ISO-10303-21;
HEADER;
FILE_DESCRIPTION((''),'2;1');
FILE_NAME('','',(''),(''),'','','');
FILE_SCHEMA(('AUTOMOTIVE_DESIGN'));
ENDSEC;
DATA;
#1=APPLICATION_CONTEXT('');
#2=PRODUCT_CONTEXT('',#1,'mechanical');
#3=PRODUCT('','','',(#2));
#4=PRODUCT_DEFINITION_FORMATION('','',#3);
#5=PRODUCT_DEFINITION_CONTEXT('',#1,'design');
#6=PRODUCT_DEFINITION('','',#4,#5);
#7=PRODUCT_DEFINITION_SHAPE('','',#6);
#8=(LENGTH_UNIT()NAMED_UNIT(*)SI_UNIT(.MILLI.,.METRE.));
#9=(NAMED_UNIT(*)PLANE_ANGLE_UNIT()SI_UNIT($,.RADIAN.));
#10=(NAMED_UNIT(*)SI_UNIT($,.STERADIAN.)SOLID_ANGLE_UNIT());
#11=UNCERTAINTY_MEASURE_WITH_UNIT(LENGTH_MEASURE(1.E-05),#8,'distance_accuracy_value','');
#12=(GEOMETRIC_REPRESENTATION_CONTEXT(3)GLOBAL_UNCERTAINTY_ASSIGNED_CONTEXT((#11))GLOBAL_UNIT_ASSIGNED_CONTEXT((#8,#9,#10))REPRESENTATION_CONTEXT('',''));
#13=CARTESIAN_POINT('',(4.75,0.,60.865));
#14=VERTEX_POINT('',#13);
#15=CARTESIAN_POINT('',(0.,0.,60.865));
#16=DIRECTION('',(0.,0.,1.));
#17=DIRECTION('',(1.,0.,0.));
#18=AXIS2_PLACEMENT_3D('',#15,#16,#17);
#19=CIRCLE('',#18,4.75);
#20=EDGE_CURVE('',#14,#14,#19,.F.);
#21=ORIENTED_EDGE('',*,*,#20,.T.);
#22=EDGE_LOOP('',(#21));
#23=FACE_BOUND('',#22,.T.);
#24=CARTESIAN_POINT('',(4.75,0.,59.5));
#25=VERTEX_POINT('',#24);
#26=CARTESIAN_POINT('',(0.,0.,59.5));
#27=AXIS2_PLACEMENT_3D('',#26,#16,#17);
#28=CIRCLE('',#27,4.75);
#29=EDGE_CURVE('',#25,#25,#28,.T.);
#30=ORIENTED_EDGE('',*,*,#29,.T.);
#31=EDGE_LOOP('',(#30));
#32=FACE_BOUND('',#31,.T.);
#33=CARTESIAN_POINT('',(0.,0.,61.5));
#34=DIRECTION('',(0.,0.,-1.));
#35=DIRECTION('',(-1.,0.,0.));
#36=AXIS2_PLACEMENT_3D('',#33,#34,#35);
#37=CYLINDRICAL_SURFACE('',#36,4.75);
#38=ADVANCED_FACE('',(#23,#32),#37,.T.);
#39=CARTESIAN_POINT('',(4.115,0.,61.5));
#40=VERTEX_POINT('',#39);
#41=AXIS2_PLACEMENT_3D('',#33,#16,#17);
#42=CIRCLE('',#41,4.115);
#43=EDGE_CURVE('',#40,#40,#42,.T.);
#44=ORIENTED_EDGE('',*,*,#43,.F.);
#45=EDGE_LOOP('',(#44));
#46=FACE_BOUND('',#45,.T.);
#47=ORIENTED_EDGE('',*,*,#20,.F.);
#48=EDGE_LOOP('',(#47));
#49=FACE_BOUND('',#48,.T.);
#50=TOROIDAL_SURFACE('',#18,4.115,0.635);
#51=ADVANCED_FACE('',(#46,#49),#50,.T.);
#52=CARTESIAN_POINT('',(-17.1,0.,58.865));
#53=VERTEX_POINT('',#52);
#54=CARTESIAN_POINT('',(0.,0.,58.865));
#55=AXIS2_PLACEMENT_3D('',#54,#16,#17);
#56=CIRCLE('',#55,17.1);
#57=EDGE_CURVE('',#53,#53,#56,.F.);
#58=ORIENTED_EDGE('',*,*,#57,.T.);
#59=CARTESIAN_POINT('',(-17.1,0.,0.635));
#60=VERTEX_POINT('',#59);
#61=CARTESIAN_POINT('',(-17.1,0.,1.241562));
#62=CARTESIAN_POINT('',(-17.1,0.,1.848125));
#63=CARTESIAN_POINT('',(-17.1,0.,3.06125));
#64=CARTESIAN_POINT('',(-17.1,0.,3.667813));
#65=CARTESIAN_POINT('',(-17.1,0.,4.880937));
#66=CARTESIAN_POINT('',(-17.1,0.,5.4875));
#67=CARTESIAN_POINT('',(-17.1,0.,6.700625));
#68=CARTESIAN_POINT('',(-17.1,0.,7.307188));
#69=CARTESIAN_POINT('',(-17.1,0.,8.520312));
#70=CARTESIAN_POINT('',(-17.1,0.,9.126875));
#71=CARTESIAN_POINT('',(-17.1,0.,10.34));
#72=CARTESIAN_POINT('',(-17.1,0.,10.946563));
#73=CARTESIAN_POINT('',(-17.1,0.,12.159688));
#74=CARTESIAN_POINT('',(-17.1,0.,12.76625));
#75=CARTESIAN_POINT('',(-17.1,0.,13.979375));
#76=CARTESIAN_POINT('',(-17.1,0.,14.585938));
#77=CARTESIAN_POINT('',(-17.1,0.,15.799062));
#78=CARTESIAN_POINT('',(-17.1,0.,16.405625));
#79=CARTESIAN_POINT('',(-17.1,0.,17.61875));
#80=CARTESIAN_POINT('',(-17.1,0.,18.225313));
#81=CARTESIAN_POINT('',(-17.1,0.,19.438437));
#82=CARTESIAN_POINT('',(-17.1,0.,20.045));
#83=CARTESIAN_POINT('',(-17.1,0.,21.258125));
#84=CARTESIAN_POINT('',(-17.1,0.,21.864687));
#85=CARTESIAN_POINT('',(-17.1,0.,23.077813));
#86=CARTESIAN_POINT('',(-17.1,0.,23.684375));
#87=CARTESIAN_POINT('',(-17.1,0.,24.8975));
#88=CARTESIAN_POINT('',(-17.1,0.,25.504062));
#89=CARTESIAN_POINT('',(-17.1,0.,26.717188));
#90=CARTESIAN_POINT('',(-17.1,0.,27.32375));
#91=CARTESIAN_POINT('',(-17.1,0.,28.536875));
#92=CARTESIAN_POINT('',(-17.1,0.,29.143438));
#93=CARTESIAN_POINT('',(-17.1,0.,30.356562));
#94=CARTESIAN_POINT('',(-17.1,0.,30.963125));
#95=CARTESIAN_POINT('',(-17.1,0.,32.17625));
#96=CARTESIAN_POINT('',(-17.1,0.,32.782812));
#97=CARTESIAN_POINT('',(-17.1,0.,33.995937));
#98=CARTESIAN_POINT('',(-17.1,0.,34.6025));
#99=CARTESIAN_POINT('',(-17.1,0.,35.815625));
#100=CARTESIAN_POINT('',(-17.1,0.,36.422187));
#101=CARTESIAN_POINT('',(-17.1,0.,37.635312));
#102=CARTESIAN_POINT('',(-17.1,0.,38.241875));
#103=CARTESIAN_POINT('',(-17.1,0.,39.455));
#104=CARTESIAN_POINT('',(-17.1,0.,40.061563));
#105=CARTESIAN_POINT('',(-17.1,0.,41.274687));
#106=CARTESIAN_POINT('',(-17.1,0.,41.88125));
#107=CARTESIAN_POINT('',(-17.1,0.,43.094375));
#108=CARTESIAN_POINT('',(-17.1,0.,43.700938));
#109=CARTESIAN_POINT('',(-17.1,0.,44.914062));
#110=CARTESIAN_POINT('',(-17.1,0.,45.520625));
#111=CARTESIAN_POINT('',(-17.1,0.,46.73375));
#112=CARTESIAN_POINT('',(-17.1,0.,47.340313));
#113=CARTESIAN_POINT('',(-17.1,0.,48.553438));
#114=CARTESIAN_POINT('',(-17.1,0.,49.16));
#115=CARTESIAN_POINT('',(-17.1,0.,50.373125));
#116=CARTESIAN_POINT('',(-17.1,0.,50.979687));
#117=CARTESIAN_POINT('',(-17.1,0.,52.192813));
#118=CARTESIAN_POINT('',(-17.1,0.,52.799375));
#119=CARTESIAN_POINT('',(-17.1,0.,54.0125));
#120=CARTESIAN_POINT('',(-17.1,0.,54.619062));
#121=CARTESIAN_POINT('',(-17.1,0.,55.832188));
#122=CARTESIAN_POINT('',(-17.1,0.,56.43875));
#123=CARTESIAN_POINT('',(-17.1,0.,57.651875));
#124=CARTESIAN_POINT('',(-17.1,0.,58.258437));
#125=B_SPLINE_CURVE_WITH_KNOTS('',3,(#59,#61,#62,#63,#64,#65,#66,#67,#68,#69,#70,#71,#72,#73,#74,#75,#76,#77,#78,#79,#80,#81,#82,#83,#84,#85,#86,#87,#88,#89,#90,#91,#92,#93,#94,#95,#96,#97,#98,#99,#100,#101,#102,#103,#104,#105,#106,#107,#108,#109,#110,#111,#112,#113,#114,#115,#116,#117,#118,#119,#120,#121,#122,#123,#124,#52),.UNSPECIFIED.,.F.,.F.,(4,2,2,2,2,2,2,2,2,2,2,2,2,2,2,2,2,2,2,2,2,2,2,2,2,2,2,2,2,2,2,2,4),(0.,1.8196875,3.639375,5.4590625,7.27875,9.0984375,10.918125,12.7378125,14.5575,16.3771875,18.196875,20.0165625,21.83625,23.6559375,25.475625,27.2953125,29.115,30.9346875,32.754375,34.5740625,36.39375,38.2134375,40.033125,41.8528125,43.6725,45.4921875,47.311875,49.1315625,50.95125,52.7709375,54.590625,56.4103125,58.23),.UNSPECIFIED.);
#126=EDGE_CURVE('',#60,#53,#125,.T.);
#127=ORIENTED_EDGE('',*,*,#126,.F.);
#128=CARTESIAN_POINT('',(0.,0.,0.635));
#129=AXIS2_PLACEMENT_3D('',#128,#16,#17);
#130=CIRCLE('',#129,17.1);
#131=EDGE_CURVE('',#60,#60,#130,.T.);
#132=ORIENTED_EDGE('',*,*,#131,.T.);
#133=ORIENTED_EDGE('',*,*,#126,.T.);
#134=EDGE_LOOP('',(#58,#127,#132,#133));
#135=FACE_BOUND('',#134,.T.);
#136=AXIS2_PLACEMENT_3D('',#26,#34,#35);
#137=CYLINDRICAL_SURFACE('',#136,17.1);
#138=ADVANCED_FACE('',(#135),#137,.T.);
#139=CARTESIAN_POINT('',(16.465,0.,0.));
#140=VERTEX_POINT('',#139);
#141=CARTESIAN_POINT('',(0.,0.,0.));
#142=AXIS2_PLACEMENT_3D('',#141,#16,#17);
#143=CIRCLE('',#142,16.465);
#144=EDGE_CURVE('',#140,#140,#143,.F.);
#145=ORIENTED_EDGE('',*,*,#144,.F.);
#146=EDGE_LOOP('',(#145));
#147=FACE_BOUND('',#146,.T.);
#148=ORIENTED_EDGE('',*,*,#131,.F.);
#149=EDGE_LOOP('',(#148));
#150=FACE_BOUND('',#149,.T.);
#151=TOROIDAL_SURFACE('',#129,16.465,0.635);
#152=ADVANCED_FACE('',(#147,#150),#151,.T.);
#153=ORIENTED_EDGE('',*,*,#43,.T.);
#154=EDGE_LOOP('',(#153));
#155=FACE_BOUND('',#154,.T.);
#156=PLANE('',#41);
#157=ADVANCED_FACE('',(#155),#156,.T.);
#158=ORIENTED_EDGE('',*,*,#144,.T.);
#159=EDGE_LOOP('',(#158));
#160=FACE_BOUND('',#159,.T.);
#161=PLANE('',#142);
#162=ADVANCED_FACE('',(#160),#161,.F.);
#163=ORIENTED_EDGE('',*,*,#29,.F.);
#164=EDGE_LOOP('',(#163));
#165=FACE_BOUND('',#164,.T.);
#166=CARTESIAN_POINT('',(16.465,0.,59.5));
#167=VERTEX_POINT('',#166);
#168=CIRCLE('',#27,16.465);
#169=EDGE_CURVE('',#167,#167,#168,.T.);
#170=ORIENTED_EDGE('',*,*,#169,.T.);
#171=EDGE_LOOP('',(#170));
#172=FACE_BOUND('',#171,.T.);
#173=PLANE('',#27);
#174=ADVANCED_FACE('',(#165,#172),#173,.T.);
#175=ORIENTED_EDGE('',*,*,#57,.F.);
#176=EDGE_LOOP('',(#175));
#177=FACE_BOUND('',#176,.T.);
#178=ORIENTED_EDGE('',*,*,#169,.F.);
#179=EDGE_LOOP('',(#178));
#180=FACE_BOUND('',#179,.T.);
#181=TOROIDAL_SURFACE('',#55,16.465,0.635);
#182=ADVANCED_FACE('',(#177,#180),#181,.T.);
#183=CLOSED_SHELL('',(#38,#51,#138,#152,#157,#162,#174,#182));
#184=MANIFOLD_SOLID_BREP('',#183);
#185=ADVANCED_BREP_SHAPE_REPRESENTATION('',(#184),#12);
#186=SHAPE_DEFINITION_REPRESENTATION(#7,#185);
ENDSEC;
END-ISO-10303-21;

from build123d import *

# Parameters (mm, degrees)
SKETCH1_R           = 17.1
BOSS_EXTRUDE1_DEPTH = 59.5
SKETCH2_R           = 4.75
BOSS_EXTRUDE2_DEPTH = 2
FILLET1_R           = 0.635
FILLET2_R           = 0.635


with BuildPart() as part:
    # Sketch1 → Boss-Extrude1 (new body)
    with BuildSketch(Plane.XY):
        with Locations(Location((0, 0, 0), (0, 0, 180))):
            Circle(SKETCH1_R)
    extrude(amount=BOSS_EXTRUDE1_DEPTH)

    # Sketch2 → Boss-Extrude2 (add)
    with BuildSketch(Plane.XY.offset(59.5)):
        Circle(SKETCH2_R)
    extrude(amount=BOSS_EXTRUDE2_DEPTH)

    # Fillet1
    fillet1_edges = [part.edges().sort_by_distance(p)[0] for p in [
        (17.1, 0, 59.5),
        (-4.75, 0, 61.5),
    ]]
    fillet(fillet1_edges, radius=FILLET1_R)

    # Fillet2
    fillet2_edges = [part.edges().sort_by_distance(p)[0] for p in [
        (17.1, 0, 0),
    ]]
    fillet(fillet2_edges, radius=FILLET2_R)


solid = part.part
